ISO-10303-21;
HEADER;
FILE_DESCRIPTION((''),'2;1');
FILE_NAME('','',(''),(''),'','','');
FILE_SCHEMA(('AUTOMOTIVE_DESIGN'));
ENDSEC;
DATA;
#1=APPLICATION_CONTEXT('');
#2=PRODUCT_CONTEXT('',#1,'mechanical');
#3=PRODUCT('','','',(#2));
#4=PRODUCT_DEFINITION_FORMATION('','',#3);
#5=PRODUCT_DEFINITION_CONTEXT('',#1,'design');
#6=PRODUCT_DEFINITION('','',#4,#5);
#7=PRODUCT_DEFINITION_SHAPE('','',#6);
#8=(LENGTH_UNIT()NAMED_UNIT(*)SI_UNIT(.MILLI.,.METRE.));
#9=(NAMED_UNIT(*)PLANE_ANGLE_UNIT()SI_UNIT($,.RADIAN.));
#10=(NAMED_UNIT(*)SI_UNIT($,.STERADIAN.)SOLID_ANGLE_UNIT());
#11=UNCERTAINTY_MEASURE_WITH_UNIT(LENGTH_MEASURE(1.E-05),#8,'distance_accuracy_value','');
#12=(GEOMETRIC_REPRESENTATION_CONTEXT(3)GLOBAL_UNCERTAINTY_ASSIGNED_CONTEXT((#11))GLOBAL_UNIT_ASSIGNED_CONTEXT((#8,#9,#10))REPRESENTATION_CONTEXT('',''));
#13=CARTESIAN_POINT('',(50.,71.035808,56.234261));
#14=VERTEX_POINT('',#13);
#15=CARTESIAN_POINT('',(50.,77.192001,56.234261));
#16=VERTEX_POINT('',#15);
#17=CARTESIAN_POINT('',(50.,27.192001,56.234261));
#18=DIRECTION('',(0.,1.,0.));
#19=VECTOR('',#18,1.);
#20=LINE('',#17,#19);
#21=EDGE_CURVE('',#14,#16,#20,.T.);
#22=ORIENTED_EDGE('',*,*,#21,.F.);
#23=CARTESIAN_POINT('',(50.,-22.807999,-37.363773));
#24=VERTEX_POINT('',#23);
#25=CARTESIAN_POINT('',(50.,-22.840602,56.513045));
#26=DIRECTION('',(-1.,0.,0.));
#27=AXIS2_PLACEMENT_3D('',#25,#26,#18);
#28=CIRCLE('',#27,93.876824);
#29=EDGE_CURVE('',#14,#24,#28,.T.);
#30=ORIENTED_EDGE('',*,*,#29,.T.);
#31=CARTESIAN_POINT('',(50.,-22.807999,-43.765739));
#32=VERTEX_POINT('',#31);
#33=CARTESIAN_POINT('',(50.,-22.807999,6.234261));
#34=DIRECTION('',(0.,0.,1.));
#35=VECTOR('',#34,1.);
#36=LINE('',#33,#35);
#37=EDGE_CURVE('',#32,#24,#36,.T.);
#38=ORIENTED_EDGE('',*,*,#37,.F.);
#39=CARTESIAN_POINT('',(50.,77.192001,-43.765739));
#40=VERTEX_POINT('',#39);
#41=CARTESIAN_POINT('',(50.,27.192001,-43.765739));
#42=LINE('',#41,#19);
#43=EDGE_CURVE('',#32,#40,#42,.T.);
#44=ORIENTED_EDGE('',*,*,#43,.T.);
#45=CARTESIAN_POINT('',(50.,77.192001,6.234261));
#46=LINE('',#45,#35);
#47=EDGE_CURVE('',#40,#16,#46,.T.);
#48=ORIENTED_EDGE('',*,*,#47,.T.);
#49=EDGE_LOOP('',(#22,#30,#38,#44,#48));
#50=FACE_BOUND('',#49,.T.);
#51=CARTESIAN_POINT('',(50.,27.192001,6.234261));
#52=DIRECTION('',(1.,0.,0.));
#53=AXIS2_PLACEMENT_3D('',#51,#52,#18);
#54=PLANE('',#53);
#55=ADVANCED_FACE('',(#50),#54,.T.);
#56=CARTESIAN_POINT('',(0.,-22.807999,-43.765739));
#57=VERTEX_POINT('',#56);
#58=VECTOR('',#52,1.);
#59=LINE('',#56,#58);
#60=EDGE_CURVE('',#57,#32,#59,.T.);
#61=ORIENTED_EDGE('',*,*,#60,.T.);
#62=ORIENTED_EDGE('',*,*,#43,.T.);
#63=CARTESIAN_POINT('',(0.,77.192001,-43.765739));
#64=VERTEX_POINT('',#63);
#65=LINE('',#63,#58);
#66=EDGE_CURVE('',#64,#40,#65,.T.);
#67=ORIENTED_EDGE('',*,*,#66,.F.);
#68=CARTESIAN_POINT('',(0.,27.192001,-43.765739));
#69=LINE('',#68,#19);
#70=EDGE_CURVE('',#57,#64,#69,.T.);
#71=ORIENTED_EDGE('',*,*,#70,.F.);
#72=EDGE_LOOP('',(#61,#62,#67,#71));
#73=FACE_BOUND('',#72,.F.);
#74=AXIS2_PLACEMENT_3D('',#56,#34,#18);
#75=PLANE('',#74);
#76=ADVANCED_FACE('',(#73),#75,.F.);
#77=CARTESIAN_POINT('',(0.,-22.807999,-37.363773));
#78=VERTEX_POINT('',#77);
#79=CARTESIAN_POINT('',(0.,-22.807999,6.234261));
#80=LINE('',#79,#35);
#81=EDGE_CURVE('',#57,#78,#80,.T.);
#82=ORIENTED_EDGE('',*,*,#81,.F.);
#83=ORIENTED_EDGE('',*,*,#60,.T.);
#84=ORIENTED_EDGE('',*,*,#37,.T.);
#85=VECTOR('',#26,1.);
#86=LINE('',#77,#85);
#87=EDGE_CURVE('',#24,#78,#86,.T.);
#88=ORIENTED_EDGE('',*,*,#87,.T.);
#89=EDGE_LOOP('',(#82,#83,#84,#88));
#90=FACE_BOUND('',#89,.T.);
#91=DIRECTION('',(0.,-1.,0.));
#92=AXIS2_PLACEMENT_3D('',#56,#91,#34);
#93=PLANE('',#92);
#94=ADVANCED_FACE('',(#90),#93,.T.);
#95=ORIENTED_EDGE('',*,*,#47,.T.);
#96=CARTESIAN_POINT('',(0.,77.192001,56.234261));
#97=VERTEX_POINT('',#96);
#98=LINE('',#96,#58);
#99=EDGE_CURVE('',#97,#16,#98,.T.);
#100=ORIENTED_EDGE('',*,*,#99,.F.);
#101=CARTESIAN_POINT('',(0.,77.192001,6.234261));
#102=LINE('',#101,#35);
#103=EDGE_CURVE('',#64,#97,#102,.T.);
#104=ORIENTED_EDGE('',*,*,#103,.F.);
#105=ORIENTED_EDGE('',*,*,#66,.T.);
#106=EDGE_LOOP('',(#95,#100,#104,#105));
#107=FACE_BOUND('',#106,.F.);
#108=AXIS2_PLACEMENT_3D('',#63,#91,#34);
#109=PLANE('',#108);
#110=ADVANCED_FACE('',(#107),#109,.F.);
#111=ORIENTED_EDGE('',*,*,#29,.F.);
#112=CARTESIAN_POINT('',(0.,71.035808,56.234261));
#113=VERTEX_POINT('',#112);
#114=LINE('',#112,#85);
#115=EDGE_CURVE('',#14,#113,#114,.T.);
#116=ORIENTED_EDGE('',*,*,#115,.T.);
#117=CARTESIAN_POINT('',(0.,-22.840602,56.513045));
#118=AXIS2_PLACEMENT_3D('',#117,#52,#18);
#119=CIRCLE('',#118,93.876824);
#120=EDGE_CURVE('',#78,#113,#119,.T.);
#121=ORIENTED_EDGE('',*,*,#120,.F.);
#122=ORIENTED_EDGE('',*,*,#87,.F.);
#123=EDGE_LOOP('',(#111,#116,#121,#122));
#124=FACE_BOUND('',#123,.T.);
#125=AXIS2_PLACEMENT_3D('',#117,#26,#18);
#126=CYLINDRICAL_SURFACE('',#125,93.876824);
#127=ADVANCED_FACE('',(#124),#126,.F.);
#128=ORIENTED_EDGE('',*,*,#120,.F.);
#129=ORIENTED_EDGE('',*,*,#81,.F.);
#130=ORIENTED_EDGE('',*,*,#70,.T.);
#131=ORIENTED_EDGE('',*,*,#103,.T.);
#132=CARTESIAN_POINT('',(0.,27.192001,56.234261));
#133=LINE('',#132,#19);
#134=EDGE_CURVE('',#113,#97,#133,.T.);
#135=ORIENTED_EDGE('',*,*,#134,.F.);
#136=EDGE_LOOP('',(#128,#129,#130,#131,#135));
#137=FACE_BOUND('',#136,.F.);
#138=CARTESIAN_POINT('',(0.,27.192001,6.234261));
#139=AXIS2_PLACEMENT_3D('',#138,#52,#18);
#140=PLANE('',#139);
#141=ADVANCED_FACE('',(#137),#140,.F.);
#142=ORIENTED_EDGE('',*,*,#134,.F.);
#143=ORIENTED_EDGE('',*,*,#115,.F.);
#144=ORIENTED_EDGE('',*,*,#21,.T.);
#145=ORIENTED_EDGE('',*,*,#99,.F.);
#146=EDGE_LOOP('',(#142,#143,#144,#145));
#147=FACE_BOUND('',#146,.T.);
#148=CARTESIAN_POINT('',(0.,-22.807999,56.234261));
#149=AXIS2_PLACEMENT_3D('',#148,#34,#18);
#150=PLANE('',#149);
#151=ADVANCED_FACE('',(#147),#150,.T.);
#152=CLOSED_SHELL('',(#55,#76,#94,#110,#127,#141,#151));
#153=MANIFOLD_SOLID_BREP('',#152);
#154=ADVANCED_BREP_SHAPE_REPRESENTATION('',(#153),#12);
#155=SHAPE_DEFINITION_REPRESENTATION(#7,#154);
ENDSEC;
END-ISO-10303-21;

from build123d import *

# Parameters (mm, degrees)
F0_W     = 100
F0_H     = 100
F1_DEPTH = 50
F2_R     = 93.876824
F3_DEPTH = 75


with BuildPart() as f1:
    # F0 (on Right) → F1 (new body)
    with BuildSketch(Plane.YZ):
        with Locations((27.192001, 6.234261)):
            Rectangle(F0_W, F0_H)
    extrude(amount=F1_DEPTH)


with BuildPart() as f3:
    # F2 (on Right) → F3 (new body)
    with BuildSketch(Plane.YZ):
        with Locations((-22.840602, 56.513045)):
            Circle(F2_R)
    extrude(amount=F3_DEPTH)


with BuildPart() as f1_1:
    add(f1.part)

    # F4: cut F3
    add(f3.part, mode=Mode.SUBTRACT)


solid = f1_1.part
